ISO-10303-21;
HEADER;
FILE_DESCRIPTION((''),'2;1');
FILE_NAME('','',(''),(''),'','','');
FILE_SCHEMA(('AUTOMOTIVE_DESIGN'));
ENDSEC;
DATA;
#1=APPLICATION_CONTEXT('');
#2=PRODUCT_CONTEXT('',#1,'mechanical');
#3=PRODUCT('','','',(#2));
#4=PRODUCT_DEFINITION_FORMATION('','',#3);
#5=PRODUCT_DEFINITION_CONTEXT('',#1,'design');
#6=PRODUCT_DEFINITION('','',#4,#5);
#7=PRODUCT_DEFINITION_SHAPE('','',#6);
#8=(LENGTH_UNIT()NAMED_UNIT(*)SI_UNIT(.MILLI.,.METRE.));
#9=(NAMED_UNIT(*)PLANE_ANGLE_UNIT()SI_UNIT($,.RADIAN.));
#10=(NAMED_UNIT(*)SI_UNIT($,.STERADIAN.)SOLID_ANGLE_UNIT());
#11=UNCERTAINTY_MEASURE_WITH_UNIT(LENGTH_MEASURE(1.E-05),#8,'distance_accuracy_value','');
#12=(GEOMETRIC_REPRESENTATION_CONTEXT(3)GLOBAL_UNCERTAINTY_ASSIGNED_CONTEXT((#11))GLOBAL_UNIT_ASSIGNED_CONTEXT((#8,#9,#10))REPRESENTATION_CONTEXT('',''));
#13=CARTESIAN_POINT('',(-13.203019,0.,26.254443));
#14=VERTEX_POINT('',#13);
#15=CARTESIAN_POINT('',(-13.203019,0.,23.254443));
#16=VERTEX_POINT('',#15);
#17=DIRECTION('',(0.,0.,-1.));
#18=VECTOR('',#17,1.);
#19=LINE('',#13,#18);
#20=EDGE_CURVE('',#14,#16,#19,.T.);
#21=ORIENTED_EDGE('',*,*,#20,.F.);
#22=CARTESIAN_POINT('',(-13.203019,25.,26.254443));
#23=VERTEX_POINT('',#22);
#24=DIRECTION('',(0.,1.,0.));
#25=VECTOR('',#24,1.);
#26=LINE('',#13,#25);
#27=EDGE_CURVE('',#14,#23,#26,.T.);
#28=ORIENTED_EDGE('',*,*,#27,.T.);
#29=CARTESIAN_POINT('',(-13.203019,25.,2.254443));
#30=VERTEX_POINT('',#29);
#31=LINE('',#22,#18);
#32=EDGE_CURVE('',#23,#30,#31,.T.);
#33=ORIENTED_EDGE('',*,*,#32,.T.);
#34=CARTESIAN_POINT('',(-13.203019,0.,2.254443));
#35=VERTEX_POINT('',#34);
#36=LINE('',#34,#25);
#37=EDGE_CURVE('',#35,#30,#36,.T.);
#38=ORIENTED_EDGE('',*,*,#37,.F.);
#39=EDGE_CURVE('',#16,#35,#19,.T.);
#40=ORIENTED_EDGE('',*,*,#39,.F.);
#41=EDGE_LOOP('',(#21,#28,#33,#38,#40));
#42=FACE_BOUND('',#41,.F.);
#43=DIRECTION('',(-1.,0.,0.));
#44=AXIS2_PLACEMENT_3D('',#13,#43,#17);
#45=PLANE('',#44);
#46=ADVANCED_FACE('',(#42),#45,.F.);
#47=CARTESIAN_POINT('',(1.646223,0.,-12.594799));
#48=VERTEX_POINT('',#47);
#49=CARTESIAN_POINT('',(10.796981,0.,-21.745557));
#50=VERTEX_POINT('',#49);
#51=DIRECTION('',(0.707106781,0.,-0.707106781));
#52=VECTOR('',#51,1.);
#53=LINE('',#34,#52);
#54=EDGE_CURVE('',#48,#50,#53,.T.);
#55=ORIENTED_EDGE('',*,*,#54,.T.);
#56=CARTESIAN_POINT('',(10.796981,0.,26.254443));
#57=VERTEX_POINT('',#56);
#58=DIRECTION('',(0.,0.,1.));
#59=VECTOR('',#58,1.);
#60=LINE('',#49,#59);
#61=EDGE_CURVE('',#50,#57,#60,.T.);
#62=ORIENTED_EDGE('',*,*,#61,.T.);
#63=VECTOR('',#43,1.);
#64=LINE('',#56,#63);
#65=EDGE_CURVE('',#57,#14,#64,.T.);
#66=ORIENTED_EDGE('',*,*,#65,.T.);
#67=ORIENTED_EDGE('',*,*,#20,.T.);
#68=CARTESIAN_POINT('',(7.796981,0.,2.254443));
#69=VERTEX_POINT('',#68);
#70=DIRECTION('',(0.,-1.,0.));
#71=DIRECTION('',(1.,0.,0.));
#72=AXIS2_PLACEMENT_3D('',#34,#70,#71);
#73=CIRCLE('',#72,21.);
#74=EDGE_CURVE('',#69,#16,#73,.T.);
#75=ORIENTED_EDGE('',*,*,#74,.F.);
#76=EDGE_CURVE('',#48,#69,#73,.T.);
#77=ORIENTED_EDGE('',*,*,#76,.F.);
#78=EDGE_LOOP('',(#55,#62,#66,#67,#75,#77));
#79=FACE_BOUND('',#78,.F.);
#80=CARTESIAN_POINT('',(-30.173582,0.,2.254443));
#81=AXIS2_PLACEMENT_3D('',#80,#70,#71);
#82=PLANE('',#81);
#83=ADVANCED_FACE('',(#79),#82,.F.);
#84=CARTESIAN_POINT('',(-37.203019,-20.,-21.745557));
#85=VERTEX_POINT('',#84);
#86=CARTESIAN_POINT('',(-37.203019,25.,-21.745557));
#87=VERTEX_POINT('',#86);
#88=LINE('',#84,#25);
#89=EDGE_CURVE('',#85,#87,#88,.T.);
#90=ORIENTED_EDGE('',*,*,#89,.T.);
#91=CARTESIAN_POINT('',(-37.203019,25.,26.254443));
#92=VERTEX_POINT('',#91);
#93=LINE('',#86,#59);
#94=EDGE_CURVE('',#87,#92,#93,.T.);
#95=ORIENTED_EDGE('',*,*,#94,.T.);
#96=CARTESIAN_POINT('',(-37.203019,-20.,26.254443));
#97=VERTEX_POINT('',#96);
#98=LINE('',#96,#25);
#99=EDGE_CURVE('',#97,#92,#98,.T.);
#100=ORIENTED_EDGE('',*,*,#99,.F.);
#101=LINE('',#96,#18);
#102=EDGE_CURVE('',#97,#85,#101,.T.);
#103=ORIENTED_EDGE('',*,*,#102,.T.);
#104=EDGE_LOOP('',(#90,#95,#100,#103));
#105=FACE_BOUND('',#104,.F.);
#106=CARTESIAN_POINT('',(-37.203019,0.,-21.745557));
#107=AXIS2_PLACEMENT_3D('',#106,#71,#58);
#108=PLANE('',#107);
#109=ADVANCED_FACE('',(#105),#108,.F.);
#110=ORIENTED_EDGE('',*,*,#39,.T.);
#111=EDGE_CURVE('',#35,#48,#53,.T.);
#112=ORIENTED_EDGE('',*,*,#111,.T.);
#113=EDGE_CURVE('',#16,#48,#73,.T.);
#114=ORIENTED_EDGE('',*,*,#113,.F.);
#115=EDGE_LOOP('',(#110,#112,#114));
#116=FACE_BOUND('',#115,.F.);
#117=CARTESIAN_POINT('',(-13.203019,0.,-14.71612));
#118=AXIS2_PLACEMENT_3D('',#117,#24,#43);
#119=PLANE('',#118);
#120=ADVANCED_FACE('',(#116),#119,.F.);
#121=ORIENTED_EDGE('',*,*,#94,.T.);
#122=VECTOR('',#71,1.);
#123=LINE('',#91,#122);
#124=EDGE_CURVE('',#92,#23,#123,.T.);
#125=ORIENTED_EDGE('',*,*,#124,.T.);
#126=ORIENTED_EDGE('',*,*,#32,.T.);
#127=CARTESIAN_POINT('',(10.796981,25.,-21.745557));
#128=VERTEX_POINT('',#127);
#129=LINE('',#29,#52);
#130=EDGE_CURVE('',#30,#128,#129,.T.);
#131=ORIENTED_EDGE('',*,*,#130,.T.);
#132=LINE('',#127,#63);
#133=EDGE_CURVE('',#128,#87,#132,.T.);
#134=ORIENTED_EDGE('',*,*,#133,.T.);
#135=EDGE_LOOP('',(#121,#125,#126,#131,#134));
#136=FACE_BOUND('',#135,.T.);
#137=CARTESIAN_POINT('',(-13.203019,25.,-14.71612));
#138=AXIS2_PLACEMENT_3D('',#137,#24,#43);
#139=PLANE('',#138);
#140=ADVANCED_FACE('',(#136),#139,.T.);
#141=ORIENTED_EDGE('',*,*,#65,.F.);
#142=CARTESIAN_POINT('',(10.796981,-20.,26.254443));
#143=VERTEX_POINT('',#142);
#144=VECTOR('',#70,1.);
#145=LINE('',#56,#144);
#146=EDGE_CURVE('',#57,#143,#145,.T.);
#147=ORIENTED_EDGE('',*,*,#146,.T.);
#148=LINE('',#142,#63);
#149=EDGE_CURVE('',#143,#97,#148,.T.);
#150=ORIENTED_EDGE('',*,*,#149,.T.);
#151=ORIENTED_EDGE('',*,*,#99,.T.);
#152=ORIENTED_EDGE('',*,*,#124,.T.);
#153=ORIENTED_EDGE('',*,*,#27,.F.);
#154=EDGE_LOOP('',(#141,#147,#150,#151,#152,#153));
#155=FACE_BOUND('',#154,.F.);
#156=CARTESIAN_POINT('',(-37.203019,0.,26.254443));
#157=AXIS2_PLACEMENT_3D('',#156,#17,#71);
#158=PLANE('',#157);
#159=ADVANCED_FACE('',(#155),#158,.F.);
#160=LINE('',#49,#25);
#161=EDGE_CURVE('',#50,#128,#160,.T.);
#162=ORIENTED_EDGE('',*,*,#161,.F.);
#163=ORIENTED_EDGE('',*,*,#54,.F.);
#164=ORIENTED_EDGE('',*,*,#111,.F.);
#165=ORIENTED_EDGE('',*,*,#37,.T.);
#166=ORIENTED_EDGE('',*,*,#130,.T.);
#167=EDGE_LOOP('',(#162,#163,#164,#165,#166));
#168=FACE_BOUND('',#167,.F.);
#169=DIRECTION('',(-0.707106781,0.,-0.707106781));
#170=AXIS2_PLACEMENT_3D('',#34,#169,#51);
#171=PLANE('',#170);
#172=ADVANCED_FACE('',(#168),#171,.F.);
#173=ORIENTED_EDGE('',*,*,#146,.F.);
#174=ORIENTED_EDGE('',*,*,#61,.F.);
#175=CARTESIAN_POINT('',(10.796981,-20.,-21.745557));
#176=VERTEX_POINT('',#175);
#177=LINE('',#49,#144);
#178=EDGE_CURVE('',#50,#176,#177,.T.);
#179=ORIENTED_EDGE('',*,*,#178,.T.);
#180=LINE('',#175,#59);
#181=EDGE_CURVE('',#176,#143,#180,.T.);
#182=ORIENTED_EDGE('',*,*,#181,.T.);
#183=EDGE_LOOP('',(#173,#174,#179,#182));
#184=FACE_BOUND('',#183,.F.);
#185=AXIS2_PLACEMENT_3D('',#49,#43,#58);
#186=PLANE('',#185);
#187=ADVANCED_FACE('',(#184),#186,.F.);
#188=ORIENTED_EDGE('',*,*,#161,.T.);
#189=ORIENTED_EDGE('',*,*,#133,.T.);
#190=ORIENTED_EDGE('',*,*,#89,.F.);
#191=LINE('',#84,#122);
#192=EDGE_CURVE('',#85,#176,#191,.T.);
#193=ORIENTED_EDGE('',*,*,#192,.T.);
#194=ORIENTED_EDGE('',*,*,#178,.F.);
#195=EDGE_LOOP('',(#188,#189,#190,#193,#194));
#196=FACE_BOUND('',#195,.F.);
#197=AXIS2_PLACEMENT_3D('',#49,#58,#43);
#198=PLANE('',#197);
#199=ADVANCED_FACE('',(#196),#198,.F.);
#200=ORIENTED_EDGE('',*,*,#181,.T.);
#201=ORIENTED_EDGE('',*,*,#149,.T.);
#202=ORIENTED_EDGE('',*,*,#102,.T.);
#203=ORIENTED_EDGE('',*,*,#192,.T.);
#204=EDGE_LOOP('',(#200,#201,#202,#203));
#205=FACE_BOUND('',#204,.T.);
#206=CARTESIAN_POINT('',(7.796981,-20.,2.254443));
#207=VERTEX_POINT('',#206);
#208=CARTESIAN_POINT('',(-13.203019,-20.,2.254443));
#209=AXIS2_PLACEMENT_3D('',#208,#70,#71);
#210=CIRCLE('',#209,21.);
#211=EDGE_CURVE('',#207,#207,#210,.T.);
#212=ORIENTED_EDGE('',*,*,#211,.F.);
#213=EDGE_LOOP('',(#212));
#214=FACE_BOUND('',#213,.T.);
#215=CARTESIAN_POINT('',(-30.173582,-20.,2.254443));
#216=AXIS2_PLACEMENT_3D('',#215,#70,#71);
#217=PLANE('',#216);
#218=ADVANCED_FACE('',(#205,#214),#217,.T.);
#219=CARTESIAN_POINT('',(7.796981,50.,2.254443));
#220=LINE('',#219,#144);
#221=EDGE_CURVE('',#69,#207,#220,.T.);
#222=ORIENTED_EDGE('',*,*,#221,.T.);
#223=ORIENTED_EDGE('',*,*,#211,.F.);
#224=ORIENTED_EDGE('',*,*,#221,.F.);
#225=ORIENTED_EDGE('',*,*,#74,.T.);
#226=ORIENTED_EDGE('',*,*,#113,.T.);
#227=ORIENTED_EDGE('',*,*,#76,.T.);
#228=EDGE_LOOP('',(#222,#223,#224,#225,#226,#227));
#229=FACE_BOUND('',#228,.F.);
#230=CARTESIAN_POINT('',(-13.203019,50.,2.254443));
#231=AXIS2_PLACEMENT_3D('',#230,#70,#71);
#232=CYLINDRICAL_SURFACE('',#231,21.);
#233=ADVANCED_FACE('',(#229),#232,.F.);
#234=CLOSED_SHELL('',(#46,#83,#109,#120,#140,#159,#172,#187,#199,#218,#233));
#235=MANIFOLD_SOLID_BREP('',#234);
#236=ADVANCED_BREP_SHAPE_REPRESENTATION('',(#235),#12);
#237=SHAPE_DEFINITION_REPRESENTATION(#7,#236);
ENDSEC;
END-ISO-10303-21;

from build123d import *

# Parameters (mm, degrees)
F1_DEPTH = 20
F3_D     = 42
F3_DEPTH = 50
F3_TIP   = 12.6180729996
F4_DEPTH = 25


with BuildPart() as f1:
    # F0 (on Front) → F1 (new body)
    with BuildSketch(Plane.XZ):
        Polygon((-13.2030190676, 2.2544430345), (-37.2030190676, 26.2544430345), (-37.2030190676, -21.7455569655), align=None)
        Polygon((10.7969809324, 26.2544430345), (-37.2030190676, 26.2544430345), (-13.2030190676, 2.2544430345), align=None)
        Polygon((10.7969809324, -21.7455569655), (10.7969809324, 26.2544430345), (-13.2030190676, 2.2544430345), align=None)
        Polygon((-13.2030190676, 2.2544430345), (-37.2030190676, -21.7455569655), (10.7969809324, -21.7455569655), align=None)
    extrude(amount=F1_DEPTH)

    # F3
    with Locations(Plane(origin=(0, 0, 0), x_dir=(-1, 0, 0), z_dir=(0, 1, 0))):
        with Locations((13.2030190676, 2.2544430345)):
            Hole(F3_D / 2, depth=F3_DEPTH)
            with Locations((0, 0, -(F3_DEPTH + F3_TIP / 2))):  # 118° drill point
                Cone(0, F3_D / 2, F3_TIP, mode=Mode.SUBTRACT)

    # F2 (on face) → F4 (join)
    with BuildSketch(Plane(origin=(0, 0, 0), x_dir=(-1, 0, 0), z_dir=(0, 1, 0))):
        Polygon((-10.7969809324, -21.7455569655), (37.2030190676, -21.7455569655), (13.2030190676, 2.2544430345), align=None)
        Polygon((13.2030190676, 26.2544430345), (13.2030190676, 2.2544430345), (37.2030190676, 26.2544430345), align=None)
        Polygon((13.2030190676, 2.2544430345), (37.2030190676, -21.7455569655), (37.2030190676, 26.2544430345), align=None)
    extrude(amount=F4_DEPTH)


solid = f1.part
